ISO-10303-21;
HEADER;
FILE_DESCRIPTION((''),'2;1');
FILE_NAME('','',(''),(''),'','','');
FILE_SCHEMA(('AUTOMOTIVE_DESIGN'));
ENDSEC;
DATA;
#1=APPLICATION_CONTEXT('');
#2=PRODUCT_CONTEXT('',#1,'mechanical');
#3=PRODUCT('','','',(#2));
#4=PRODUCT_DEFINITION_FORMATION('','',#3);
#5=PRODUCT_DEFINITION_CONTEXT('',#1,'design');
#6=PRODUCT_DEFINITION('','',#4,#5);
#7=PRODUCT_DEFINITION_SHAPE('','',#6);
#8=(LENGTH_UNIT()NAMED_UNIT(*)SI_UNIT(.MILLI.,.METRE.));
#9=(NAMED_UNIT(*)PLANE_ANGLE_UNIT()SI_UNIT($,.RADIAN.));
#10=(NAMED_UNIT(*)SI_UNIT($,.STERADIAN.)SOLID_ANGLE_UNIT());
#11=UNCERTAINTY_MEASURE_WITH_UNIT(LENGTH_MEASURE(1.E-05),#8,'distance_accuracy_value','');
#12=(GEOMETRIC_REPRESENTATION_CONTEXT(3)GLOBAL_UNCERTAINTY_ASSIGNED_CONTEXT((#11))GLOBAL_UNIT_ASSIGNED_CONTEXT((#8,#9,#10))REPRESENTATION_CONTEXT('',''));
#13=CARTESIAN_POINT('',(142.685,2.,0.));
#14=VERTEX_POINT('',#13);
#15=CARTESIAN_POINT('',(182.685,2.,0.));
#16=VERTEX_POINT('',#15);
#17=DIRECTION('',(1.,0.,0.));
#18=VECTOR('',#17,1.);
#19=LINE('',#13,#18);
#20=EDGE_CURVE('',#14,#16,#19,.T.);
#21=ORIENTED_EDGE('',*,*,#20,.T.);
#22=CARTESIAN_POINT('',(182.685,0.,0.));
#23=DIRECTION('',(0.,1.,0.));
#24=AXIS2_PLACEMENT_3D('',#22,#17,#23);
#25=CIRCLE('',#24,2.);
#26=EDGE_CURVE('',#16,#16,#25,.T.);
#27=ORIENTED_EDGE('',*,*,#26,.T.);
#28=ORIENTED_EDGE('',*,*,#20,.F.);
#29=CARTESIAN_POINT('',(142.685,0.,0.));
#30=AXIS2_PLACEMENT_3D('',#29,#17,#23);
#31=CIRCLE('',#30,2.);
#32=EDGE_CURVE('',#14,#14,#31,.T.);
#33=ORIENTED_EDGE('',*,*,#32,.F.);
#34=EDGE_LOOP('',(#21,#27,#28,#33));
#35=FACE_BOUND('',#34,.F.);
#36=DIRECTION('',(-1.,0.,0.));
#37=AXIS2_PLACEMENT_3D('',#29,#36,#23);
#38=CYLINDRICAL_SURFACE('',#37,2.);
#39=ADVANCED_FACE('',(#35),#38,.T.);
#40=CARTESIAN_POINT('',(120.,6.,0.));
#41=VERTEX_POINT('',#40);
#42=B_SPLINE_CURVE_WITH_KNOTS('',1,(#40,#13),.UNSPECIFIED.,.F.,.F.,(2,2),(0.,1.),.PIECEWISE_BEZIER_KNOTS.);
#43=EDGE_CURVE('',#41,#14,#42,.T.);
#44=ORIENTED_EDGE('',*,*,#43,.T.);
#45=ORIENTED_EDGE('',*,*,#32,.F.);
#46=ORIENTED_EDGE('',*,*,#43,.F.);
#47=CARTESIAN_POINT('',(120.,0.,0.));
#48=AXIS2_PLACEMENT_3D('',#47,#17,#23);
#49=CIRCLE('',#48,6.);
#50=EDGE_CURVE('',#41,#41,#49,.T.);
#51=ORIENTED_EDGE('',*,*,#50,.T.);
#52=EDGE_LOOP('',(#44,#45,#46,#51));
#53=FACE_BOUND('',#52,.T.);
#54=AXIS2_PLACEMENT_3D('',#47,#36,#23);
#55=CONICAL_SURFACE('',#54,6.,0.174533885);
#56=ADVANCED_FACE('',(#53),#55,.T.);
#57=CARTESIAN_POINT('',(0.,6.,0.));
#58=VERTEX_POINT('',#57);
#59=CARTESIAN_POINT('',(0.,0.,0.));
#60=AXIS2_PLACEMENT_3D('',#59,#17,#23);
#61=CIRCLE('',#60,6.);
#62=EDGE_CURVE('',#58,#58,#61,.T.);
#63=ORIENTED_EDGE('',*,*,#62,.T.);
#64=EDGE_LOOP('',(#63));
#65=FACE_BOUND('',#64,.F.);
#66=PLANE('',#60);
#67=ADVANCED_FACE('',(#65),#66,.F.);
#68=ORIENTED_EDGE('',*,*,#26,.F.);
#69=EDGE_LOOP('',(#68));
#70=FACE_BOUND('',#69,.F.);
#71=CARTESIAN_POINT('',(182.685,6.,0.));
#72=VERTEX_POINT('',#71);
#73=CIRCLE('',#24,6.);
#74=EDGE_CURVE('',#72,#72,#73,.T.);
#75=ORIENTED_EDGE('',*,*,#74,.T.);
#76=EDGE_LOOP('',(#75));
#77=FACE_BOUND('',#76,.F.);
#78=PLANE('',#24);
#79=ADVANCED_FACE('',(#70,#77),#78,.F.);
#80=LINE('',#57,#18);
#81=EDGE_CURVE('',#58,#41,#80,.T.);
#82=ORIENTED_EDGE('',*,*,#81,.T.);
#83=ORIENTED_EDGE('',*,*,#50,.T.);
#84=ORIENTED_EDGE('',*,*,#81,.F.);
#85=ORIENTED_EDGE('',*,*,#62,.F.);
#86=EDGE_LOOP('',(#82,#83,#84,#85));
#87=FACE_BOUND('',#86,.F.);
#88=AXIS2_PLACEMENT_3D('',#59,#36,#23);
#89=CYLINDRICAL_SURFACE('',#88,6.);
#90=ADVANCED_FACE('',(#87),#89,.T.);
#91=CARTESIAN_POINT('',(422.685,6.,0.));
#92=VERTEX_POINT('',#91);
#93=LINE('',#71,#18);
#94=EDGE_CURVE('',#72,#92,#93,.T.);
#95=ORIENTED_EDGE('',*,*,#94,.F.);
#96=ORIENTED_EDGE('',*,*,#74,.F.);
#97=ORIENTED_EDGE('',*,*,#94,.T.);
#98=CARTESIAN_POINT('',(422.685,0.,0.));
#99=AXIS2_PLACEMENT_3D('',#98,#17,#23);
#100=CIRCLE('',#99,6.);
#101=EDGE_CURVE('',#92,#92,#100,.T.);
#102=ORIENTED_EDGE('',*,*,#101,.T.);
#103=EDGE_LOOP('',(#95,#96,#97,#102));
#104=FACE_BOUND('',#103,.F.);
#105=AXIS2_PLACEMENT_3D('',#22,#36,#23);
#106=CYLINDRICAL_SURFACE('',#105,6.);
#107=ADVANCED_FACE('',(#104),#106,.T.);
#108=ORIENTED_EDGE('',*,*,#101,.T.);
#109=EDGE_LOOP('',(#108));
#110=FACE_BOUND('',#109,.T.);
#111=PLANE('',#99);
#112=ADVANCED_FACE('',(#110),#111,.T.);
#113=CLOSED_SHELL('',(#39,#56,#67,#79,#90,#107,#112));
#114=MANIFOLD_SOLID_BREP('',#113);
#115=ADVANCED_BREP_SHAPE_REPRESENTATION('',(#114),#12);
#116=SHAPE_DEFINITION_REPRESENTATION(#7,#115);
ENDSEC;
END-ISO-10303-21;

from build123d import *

# Parameters (mm, degrees)
F0_R      = 6
F1_DEPTH  = 120
F1_FACE_R = 6
F3_R      = 2
F5_R      = 2
F6_DEPTH  = 40
F8_R      = 6
F9_DEPTH  = 240


with BuildPart() as f1:
    # F0 (on Right) → F1 (new body)
    with BuildSketch(Plane.YZ):
        Circle(F0_R)
    extrude(amount=F1_DEPTH)

    # F1_face (on face) → F4 section 0
    with BuildSketch(Plane.YZ.offset(120)):
        Circle(F1_FACE_R)
    # F3 (on offset) → F4 section 1
    with BuildSketch(Plane.YZ.offset(142.685)):
        Circle(F3_R)
    loft()

    # F5 (on offset) → F6 (join)
    with BuildSketch(Plane.YZ.offset(142.685)):
        Circle(F5_R)
    extrude(amount=F6_DEPTH)

    # F8 (on offset) → F9 (join)
    with BuildSketch(Plane.YZ.offset(182.685)):
        Circle(F8_R)
    extrude(amount=F9_DEPTH)


solid = f1.part
